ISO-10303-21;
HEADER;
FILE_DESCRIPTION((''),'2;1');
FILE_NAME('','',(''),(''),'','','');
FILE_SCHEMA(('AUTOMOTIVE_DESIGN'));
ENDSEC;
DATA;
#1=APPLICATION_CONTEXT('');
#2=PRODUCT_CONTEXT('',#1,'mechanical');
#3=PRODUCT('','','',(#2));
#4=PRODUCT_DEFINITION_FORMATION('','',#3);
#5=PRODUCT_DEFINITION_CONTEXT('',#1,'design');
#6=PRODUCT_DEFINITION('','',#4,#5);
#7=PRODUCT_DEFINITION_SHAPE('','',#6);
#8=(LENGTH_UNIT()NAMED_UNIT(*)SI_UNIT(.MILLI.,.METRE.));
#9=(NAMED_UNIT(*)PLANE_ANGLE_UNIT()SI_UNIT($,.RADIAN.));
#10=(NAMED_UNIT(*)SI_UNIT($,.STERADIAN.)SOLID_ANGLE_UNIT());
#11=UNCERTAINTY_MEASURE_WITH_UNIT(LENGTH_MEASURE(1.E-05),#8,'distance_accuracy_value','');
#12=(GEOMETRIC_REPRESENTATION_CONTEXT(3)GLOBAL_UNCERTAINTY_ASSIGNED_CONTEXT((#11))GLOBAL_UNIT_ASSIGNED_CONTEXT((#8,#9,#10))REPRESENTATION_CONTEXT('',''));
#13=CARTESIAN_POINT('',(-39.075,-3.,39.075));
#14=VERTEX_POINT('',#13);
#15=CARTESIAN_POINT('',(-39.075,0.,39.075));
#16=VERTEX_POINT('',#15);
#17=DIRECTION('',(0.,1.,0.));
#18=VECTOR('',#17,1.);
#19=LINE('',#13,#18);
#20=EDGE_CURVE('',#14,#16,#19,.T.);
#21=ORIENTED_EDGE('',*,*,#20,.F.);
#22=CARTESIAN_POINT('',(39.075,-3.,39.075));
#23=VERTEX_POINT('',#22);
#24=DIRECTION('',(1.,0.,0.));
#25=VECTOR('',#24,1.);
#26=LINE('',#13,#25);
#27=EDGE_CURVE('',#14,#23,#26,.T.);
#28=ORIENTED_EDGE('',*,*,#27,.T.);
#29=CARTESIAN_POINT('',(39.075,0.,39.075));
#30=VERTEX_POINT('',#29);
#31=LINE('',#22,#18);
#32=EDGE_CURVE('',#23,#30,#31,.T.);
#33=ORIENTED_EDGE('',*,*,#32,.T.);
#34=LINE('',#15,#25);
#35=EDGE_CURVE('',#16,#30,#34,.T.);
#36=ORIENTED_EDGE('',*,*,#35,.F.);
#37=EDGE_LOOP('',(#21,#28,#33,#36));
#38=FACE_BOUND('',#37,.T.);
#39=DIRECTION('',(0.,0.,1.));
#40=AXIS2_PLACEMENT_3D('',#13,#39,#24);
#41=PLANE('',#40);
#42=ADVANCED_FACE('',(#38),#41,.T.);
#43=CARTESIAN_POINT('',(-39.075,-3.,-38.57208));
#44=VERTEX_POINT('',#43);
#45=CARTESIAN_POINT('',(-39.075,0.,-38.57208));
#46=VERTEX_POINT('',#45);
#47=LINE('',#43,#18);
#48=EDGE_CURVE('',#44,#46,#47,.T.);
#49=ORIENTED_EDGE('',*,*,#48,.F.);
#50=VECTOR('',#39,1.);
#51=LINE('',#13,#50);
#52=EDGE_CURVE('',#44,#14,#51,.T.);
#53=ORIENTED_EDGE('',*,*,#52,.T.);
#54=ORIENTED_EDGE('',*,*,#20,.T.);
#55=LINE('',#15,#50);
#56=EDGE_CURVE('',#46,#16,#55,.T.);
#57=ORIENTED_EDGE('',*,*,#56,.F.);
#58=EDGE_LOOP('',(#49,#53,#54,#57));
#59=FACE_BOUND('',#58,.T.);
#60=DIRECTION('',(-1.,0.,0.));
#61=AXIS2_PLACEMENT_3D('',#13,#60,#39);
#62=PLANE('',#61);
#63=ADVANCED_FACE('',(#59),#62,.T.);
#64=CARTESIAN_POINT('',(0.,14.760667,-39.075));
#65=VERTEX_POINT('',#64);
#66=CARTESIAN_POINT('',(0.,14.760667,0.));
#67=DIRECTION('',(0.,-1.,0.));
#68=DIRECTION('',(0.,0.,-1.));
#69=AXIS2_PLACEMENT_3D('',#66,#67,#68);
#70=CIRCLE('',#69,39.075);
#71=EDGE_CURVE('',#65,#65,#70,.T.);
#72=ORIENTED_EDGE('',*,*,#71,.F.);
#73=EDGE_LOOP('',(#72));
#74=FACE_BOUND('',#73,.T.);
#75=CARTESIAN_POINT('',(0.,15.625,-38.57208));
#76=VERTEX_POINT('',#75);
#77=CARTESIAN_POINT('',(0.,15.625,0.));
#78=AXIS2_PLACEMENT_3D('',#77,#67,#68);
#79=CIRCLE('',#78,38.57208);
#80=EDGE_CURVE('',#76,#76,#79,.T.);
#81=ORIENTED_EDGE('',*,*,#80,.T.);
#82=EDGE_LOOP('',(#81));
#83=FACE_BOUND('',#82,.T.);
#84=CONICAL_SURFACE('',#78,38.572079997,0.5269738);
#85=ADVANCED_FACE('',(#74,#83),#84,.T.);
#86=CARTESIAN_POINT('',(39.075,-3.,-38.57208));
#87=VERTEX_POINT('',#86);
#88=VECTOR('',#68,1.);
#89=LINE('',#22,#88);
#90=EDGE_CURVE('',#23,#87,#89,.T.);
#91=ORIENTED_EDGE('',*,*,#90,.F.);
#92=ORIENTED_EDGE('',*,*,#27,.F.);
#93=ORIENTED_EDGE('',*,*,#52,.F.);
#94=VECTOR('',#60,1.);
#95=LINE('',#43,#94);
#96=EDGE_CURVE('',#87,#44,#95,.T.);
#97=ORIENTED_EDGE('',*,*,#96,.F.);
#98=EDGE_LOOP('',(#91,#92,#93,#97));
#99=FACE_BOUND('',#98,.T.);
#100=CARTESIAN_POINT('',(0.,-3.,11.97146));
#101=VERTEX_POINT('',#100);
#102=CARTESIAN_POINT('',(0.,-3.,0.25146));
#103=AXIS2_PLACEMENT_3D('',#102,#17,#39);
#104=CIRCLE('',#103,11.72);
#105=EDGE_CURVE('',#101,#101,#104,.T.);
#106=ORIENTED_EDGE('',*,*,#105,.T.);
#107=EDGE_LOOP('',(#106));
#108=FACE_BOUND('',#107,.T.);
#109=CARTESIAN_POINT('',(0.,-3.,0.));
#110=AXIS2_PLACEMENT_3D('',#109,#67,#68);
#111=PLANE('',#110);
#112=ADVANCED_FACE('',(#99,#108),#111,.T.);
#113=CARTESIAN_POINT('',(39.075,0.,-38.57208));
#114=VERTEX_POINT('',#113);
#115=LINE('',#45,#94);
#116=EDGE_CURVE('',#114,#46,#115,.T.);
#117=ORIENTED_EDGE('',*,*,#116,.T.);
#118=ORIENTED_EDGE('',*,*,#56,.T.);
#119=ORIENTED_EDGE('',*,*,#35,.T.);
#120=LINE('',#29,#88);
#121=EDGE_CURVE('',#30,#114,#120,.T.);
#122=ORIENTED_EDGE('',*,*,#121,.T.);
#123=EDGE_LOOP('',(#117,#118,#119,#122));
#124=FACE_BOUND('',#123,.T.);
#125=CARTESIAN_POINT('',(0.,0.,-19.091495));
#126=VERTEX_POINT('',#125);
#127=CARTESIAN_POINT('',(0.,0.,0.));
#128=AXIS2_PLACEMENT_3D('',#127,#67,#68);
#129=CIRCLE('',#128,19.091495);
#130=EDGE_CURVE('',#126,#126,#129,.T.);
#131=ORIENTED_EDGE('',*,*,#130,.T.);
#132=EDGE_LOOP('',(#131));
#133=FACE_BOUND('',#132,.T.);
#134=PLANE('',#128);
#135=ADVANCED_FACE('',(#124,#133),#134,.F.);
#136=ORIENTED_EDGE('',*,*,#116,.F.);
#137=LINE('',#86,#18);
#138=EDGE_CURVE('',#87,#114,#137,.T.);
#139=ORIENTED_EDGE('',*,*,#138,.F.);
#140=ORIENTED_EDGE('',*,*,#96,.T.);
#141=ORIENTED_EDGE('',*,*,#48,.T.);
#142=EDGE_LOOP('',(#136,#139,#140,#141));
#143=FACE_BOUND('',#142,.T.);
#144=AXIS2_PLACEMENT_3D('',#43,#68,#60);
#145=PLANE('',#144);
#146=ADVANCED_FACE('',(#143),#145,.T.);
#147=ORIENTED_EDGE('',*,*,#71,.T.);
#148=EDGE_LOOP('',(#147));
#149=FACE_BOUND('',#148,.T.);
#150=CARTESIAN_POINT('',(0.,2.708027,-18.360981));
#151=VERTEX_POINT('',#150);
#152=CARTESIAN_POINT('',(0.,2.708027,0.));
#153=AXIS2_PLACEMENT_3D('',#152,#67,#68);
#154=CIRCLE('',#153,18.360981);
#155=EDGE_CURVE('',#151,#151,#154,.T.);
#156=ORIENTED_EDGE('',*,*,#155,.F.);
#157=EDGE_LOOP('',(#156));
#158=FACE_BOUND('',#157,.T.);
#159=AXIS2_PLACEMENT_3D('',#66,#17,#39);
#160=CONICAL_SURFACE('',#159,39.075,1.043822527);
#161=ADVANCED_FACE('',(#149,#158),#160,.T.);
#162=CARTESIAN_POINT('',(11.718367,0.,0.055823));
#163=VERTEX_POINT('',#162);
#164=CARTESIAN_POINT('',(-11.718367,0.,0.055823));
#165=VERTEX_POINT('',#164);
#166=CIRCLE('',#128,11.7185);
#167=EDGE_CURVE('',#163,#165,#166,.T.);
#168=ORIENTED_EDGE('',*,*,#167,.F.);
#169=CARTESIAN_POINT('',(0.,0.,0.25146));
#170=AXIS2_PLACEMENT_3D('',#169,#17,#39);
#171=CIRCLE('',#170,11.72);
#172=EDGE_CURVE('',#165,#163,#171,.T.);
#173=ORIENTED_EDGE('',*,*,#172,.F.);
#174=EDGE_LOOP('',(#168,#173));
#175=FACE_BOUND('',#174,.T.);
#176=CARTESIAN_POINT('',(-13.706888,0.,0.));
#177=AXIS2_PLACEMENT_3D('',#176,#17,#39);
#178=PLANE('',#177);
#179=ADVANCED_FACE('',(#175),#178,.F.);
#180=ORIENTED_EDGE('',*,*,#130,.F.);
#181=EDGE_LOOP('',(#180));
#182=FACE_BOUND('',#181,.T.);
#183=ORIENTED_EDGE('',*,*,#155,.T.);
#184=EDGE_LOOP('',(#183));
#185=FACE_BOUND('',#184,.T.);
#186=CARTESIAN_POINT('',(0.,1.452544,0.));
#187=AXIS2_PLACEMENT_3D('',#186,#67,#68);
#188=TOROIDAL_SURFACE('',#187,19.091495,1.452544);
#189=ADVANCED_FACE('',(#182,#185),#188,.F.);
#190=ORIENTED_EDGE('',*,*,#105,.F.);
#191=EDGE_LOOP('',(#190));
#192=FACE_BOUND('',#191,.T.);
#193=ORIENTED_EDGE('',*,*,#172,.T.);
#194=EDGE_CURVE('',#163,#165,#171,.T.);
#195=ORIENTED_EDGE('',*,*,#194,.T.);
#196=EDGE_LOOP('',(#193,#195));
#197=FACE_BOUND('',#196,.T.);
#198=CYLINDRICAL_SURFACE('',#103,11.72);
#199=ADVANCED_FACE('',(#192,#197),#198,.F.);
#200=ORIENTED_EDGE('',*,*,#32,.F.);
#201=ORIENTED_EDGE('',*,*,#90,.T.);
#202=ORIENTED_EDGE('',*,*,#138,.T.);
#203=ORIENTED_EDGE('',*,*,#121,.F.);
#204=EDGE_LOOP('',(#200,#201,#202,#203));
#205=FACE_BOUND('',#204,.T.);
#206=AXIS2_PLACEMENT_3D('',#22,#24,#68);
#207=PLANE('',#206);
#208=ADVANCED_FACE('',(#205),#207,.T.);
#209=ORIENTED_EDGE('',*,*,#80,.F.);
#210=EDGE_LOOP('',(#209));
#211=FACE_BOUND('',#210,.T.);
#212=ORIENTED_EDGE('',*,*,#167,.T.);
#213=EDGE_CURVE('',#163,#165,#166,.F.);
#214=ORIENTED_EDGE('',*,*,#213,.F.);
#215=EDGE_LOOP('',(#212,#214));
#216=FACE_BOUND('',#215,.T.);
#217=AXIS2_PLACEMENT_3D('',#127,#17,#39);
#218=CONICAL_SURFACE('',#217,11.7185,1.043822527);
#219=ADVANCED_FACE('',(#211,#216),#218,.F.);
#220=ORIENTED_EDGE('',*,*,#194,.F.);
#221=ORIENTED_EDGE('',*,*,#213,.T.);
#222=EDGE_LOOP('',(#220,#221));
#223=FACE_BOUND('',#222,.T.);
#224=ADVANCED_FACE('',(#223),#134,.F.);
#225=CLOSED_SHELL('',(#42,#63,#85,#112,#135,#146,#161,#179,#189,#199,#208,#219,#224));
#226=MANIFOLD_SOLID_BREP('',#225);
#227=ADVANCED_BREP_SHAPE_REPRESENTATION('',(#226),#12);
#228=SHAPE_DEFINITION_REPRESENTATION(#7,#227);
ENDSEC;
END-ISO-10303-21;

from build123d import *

# Parameters (mm, degrees)
SKETCH2_W           = 78.15
SKETCH2_H           = 77.647079997
SKETCH2_R           = 11.72
BOSS_EXTRUDE1_DEPTH = 3


with BuildPart() as part:
    # Sketch1 → Revolve1 (revolve)
    with BuildSketch(Plane.XY, mode=Mode.PRIVATE) as revolve1_sk:
        Polygon((-13.706887802, 0), (-39.075, 14.760667037), (-38.572079997, 15.625), (-11.7185, 0), align=None)
    revolve(revolve1_sk.sketch.rotate(Axis((0, 0, 0), (0, 1, 0)), 270), axis=Axis((0, 0, 0), (0, 1, 0)))



with BuildPart() as body_2:
    # Sketch2 → Boss-Extrude1 (new body)
    with BuildSketch(Plane(origin=(0, 0, 0), x_dir=(1, 0, 0), z_dir=(0, 1, 0))):
        with Locations((0, -0.251460001)):
            Rectangle(SKETCH2_W, SKETCH2_H)
        with Locations(Location((0, -0.251460002, 0), (0, 0, 270))):
            Circle(SKETCH2_R, mode=Mode.SUBTRACT)
    extrude(amount=-BOSS_EXTRUDE1_DEPTH)


with BuildPart() as part_1:
    add(part.part)

    add(body_2.part)  # Revolve2 merges body 2
    # Sketch3 → Revolve2 (revolve)
    with BuildSketch(Plane.XY, mode=Mode.PRIVATE) as revolve2_sk:
        with BuildLine():
            Line((-13.706887802, 0), (-18.360981068, 2.708026538))
            ThreePointArc((-18.360981068, 2.708026538), (-17.68908093, 1.074231171), (-19.091494738, 0))
            Line((-19.091494738, 0), (-13.706887802, 0))
        make_face()
    revolve(revolve2_sk.sketch.rotate(Axis((0, 0, 0), (0, 1, 0)), 270), axis=Axis((0, 0, 0), (0, 1, 0)))


solid = part_1.part
